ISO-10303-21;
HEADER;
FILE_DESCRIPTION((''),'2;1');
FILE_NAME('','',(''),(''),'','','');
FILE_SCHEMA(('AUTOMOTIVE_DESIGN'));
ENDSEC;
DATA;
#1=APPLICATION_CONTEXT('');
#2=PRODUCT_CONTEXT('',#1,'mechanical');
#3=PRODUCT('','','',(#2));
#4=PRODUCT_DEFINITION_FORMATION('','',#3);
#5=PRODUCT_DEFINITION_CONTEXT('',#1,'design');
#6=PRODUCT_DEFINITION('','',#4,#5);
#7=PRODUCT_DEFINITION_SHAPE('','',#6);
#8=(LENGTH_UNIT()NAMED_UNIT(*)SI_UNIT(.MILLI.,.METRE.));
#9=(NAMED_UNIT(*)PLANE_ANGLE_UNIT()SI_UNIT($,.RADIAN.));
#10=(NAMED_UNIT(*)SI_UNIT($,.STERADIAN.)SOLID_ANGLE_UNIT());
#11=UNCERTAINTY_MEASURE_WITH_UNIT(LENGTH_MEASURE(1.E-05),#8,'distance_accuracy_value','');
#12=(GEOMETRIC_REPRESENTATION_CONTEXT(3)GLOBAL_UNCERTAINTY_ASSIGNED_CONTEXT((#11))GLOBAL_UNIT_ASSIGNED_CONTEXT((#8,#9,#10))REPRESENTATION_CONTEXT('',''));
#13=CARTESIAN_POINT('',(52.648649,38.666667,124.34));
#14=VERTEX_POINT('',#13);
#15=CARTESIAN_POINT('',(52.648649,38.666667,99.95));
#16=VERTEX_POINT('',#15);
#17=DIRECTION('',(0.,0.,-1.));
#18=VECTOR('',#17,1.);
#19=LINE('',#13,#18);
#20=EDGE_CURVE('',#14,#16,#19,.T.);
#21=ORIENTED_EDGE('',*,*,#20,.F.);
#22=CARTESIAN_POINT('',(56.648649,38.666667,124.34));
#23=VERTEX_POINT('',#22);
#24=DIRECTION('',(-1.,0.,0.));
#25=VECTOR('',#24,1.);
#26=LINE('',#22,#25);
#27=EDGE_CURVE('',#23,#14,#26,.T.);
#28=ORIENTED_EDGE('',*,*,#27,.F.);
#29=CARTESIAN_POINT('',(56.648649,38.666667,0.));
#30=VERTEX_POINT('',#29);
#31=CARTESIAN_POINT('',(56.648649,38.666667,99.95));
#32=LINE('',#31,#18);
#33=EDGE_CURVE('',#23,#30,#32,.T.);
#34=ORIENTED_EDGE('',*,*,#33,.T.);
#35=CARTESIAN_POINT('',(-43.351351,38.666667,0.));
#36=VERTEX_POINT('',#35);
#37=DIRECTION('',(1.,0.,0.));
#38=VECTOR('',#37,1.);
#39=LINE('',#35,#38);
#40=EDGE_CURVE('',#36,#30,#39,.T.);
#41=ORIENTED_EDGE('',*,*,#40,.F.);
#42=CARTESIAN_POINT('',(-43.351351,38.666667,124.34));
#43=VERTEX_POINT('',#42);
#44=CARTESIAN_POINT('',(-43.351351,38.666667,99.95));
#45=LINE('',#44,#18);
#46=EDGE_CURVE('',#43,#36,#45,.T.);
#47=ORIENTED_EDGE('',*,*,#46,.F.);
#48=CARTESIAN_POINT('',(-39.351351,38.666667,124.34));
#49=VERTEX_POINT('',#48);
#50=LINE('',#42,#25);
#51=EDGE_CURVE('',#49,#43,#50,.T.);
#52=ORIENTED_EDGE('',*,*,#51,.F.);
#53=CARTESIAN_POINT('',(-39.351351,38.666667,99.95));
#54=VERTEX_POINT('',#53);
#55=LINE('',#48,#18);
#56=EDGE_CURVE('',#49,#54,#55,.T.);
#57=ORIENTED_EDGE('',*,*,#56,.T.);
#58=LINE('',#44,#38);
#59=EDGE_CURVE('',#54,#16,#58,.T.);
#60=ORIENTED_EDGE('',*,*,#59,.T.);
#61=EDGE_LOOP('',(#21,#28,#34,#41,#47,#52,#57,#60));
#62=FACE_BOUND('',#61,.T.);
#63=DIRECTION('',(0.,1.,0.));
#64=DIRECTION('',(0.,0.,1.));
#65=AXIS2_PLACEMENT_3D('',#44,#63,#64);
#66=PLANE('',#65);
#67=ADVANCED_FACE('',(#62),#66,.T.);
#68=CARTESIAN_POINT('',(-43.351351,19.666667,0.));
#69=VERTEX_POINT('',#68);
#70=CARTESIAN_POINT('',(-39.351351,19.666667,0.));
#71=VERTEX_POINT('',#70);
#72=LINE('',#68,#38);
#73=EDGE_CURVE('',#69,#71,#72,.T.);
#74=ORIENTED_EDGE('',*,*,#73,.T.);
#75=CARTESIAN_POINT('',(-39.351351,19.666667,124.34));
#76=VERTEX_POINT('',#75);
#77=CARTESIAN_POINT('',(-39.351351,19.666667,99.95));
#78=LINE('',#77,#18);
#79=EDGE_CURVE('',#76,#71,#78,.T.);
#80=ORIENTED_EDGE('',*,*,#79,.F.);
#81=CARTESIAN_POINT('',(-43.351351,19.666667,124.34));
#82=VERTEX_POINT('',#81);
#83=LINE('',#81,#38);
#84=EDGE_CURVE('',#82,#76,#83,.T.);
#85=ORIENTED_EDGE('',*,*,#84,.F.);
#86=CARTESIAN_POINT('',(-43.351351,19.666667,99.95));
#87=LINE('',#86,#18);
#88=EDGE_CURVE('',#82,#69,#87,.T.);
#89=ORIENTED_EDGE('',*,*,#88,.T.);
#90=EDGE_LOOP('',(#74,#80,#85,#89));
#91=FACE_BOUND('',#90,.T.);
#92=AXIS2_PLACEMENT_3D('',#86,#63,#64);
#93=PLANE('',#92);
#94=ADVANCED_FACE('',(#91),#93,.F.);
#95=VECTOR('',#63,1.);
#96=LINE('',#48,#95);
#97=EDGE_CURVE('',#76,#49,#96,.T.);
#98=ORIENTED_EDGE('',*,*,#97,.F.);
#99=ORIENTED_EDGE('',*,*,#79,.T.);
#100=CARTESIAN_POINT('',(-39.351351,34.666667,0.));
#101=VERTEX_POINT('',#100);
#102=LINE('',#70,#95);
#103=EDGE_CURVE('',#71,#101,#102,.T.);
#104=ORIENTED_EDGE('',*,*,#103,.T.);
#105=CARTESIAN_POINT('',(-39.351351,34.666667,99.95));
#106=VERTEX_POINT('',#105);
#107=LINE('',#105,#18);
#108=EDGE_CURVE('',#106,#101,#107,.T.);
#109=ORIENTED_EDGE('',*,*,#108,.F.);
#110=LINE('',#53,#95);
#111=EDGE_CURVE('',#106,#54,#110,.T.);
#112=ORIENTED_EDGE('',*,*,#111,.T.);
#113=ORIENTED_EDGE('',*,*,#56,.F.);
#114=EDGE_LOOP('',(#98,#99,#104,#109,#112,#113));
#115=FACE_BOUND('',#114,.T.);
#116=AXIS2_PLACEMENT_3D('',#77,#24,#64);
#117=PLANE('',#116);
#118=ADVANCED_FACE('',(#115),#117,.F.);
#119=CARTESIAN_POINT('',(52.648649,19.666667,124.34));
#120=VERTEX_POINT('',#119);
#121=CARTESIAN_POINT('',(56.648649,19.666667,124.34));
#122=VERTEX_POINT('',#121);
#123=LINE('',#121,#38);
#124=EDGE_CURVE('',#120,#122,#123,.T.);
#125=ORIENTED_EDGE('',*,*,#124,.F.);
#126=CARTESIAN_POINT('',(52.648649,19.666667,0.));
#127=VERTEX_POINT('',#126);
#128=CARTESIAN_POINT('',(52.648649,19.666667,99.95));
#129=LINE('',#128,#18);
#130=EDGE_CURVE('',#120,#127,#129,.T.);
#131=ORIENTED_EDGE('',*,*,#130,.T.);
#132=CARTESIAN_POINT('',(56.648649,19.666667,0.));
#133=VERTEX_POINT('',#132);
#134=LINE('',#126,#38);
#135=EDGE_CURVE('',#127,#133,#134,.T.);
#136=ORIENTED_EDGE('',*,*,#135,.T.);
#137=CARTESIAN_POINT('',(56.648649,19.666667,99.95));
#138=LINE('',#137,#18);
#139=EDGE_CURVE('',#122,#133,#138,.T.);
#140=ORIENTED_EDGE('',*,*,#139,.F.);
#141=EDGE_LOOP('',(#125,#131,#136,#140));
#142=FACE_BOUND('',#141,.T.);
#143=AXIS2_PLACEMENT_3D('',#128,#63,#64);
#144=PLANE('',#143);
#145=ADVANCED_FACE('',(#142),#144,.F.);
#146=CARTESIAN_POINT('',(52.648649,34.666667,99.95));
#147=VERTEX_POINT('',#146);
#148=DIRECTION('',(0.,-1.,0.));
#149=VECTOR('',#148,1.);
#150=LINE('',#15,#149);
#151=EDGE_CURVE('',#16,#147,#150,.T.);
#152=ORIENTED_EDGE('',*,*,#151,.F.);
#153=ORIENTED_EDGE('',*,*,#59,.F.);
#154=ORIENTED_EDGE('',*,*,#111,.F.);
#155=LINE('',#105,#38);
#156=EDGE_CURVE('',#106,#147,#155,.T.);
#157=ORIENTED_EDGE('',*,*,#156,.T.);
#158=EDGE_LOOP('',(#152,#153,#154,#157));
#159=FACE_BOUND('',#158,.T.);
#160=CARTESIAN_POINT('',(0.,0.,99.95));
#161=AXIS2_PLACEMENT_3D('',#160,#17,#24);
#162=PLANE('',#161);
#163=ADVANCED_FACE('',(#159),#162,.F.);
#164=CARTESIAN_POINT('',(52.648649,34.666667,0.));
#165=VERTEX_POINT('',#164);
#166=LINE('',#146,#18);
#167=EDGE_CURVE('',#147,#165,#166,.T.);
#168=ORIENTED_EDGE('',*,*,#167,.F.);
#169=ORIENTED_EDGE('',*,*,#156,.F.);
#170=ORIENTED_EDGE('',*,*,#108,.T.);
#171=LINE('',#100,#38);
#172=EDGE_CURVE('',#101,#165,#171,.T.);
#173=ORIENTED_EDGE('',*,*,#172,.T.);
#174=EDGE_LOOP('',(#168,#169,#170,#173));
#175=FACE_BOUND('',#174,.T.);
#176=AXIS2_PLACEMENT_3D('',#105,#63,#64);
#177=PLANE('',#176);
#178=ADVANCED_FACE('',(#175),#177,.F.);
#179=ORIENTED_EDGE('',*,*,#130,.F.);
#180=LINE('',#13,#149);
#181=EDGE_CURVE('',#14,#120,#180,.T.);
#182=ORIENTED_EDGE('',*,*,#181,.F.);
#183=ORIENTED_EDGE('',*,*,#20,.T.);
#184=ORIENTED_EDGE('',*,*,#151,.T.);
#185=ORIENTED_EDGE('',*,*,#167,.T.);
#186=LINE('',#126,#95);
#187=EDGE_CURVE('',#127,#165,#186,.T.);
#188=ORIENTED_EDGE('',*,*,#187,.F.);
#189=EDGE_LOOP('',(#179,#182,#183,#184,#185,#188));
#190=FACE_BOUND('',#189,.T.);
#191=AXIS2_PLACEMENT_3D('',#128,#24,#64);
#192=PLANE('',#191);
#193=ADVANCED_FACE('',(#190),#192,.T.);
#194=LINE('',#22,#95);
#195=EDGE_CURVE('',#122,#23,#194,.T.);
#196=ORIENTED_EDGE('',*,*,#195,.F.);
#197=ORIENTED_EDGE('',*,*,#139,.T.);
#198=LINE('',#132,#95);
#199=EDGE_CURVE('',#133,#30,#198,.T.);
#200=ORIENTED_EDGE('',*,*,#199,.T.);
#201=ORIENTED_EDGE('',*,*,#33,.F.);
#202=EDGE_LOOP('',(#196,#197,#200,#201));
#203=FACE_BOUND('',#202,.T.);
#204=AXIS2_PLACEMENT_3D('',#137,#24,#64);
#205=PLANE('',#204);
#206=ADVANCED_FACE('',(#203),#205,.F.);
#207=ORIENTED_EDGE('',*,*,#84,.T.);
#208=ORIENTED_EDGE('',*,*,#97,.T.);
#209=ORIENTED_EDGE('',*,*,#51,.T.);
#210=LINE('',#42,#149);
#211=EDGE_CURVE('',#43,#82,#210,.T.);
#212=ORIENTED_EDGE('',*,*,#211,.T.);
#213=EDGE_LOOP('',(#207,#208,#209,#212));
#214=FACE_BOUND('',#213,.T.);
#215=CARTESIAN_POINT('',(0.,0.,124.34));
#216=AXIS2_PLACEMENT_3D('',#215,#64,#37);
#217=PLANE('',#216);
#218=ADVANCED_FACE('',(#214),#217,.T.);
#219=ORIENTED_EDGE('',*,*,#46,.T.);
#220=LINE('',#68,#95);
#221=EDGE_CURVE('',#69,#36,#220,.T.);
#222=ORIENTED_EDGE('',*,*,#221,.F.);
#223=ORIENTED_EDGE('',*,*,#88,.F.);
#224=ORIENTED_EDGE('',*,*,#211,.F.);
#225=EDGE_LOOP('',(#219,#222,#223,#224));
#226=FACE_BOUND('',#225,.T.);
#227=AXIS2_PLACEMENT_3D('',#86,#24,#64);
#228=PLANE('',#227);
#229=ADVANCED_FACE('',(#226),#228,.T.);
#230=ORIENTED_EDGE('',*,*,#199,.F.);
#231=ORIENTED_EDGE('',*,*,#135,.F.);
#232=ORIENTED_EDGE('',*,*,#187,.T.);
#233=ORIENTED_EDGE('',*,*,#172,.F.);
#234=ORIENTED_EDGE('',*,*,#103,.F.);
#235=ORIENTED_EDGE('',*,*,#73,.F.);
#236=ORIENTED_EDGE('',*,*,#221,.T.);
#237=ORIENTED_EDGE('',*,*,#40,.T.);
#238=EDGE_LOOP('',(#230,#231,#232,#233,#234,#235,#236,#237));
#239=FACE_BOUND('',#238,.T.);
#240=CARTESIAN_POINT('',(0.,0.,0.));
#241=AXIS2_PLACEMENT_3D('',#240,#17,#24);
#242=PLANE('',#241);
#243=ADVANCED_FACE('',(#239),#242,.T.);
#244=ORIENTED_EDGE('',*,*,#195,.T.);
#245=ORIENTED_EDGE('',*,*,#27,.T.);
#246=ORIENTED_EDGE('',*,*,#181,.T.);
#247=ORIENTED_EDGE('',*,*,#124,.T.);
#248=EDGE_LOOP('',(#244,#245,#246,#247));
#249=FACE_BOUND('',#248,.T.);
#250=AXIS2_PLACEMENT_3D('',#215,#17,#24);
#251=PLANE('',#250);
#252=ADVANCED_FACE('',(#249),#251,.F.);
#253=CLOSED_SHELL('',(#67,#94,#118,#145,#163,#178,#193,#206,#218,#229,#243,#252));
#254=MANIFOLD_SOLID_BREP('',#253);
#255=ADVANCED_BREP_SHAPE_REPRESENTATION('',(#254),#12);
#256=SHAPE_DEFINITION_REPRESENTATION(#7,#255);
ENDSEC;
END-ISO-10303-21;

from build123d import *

# Parameters (mm, degrees)
BOSS_EXTRUDE1_DEPTH = 99.95
SKETCH2_W           = 4
SKETCH2_H           = 19
BOSS_EXTRUDE2_DEPTH = 24.39


with BuildPart() as part:
    # Sketch1 → Boss-Extrude1 (new body)
    with BuildSketch(Plane.XY):
        Polygon((52.648648649, 19.666666667), (56.648648649, 19.666666667), (56.648648649, 38.666666667), (-43.351351351, 38.666666667), (-43.351351351, 19.666666667), (-39.351351351, 19.666666667), (-39.351351351, 34.666666667), (52.648648649, 34.666666667), align=None)
    extrude(amount=BOSS_EXTRUDE1_DEPTH)

    # Sketch2 → Boss-Extrude2 (add)
    with BuildSketch(Plane.XY.offset(99.95)):
        with Locations((-41.351351351, 29.166666667)):
            Rectangle(SKETCH2_W, SKETCH2_H)
        with Locations((54.648648649, 29.166666667)):
            Rectangle(SKETCH2_W, SKETCH2_H)
    extrude(amount=BOSS_EXTRUDE2_DEPTH)


solid = part.part
